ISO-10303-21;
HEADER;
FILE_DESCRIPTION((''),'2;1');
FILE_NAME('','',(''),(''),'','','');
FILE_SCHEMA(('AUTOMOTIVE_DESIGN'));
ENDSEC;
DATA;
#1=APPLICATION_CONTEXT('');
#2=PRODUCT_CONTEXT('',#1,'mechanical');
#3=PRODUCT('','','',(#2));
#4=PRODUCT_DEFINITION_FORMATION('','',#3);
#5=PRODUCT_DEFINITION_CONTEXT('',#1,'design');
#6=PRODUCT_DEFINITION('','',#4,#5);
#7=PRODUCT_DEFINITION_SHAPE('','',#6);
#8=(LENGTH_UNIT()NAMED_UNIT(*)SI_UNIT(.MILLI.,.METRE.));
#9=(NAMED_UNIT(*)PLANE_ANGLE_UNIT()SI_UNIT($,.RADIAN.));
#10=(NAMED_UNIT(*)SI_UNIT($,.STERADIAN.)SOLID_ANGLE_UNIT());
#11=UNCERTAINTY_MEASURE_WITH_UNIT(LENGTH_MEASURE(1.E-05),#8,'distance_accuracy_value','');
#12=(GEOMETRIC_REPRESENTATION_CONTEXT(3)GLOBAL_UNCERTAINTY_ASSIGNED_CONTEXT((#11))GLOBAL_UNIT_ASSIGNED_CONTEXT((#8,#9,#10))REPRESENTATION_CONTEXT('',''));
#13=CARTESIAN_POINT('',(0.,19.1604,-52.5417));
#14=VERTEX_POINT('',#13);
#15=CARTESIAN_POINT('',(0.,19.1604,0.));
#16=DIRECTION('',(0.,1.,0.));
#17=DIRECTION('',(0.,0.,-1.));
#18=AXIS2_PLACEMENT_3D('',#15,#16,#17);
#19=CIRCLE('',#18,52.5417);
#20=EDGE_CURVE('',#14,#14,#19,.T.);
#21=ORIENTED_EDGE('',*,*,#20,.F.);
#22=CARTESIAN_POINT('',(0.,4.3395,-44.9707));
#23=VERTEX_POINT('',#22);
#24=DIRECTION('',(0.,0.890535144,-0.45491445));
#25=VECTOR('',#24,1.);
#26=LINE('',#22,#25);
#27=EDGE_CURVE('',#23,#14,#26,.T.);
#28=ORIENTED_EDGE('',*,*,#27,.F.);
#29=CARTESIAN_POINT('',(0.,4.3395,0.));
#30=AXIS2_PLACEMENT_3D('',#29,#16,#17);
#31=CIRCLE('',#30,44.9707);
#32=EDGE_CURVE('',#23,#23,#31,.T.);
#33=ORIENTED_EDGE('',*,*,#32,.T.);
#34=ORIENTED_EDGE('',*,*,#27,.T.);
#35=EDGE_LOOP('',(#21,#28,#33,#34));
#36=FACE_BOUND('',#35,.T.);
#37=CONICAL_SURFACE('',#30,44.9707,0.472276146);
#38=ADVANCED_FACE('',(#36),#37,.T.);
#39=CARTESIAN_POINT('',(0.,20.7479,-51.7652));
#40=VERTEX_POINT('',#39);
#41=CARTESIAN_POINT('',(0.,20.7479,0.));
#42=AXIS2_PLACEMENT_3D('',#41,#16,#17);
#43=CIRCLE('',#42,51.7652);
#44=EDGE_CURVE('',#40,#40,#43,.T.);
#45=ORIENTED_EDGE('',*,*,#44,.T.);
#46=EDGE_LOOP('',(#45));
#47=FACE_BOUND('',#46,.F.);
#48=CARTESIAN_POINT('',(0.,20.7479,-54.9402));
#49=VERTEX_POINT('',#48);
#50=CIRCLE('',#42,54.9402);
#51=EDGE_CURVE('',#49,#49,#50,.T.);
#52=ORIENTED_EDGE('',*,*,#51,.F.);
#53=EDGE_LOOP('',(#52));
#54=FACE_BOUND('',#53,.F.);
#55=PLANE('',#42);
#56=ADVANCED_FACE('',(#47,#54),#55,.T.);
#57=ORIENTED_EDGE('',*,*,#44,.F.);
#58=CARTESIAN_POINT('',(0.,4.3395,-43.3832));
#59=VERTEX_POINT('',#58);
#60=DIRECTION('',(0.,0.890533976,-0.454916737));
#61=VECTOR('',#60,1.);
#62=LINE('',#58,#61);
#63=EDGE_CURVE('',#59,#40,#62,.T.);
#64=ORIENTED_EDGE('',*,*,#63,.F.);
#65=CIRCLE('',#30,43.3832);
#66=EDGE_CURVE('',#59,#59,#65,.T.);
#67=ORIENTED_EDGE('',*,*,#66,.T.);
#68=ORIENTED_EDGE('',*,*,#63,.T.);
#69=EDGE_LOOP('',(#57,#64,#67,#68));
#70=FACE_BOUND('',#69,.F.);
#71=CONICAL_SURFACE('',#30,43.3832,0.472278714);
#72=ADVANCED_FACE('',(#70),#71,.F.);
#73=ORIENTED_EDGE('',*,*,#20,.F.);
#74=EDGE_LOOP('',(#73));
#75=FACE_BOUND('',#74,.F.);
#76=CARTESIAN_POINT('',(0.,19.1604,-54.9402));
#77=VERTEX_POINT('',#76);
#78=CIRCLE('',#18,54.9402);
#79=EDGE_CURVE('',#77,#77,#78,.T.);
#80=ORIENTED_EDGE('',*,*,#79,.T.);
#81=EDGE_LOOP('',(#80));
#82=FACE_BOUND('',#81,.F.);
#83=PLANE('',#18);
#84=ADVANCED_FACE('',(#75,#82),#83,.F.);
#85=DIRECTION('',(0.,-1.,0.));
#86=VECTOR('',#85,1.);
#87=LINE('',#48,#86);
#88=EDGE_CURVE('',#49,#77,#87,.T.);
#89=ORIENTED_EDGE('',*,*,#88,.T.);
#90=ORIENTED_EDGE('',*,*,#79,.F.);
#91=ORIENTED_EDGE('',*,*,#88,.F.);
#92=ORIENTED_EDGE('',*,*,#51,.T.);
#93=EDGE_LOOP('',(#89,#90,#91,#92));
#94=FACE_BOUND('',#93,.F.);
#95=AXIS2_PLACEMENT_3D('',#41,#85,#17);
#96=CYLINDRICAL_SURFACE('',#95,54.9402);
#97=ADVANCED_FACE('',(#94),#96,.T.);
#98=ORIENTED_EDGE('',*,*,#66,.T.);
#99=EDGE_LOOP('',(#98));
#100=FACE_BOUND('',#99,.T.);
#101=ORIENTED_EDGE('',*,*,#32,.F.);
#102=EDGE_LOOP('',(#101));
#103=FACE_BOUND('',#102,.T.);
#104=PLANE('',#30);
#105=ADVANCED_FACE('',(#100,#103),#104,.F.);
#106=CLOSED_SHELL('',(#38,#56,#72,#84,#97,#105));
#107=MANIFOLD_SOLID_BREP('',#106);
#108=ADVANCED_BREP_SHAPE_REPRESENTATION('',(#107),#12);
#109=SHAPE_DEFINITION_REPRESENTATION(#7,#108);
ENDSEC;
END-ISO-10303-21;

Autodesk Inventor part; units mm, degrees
ref_plane "YZ Plane" through (0, 0, 0) normal (1, 0, 0) x (0, 1, 0)
ref_plane "XZ Plane" through (0, 0, 0) normal (0, 1, 0) x (-1, 0, 0)
ref_plane "XY Plane" through (0, 0, 0) normal (0, 0, 1) x (1, 0, 0)
sketch "Sketch1" plane through (0, 0, 0) normal (1, 0, 0) x (0, 1, 0)
  line L0 (4.3395, -43.3832) -> (20.7479, -51.7652)
  line L1 (-4.1496, 0) -> (24.8975, 0) projected
  line L2 (20.7479, -51.7652) -> (20.7479, -54.9402)
  line L3 (4.3395, -43.3832) -> (4.3395, -44.9707)
  line L4 (4.3395, -44.9707) -> (19.1604, -52.5417)
  line L5 (20.7479, -54.9402) -> (19.1604, -54.9402)
  line L6 (19.1604, -54.9402) -> (19.1604, -52.5417)
  point P0 (0, 0)
  dimension "d1" = 51.7652
  dimension "d3" = 3.175
  dimension "d5" = 1.5875
revolve "Revolution1" add sketch "Sketch1" angle 360 about axis through (0, -10, 0) along (0, 1, 0)
properties part number "base plate cone" material "Polyethylene, High Density"
